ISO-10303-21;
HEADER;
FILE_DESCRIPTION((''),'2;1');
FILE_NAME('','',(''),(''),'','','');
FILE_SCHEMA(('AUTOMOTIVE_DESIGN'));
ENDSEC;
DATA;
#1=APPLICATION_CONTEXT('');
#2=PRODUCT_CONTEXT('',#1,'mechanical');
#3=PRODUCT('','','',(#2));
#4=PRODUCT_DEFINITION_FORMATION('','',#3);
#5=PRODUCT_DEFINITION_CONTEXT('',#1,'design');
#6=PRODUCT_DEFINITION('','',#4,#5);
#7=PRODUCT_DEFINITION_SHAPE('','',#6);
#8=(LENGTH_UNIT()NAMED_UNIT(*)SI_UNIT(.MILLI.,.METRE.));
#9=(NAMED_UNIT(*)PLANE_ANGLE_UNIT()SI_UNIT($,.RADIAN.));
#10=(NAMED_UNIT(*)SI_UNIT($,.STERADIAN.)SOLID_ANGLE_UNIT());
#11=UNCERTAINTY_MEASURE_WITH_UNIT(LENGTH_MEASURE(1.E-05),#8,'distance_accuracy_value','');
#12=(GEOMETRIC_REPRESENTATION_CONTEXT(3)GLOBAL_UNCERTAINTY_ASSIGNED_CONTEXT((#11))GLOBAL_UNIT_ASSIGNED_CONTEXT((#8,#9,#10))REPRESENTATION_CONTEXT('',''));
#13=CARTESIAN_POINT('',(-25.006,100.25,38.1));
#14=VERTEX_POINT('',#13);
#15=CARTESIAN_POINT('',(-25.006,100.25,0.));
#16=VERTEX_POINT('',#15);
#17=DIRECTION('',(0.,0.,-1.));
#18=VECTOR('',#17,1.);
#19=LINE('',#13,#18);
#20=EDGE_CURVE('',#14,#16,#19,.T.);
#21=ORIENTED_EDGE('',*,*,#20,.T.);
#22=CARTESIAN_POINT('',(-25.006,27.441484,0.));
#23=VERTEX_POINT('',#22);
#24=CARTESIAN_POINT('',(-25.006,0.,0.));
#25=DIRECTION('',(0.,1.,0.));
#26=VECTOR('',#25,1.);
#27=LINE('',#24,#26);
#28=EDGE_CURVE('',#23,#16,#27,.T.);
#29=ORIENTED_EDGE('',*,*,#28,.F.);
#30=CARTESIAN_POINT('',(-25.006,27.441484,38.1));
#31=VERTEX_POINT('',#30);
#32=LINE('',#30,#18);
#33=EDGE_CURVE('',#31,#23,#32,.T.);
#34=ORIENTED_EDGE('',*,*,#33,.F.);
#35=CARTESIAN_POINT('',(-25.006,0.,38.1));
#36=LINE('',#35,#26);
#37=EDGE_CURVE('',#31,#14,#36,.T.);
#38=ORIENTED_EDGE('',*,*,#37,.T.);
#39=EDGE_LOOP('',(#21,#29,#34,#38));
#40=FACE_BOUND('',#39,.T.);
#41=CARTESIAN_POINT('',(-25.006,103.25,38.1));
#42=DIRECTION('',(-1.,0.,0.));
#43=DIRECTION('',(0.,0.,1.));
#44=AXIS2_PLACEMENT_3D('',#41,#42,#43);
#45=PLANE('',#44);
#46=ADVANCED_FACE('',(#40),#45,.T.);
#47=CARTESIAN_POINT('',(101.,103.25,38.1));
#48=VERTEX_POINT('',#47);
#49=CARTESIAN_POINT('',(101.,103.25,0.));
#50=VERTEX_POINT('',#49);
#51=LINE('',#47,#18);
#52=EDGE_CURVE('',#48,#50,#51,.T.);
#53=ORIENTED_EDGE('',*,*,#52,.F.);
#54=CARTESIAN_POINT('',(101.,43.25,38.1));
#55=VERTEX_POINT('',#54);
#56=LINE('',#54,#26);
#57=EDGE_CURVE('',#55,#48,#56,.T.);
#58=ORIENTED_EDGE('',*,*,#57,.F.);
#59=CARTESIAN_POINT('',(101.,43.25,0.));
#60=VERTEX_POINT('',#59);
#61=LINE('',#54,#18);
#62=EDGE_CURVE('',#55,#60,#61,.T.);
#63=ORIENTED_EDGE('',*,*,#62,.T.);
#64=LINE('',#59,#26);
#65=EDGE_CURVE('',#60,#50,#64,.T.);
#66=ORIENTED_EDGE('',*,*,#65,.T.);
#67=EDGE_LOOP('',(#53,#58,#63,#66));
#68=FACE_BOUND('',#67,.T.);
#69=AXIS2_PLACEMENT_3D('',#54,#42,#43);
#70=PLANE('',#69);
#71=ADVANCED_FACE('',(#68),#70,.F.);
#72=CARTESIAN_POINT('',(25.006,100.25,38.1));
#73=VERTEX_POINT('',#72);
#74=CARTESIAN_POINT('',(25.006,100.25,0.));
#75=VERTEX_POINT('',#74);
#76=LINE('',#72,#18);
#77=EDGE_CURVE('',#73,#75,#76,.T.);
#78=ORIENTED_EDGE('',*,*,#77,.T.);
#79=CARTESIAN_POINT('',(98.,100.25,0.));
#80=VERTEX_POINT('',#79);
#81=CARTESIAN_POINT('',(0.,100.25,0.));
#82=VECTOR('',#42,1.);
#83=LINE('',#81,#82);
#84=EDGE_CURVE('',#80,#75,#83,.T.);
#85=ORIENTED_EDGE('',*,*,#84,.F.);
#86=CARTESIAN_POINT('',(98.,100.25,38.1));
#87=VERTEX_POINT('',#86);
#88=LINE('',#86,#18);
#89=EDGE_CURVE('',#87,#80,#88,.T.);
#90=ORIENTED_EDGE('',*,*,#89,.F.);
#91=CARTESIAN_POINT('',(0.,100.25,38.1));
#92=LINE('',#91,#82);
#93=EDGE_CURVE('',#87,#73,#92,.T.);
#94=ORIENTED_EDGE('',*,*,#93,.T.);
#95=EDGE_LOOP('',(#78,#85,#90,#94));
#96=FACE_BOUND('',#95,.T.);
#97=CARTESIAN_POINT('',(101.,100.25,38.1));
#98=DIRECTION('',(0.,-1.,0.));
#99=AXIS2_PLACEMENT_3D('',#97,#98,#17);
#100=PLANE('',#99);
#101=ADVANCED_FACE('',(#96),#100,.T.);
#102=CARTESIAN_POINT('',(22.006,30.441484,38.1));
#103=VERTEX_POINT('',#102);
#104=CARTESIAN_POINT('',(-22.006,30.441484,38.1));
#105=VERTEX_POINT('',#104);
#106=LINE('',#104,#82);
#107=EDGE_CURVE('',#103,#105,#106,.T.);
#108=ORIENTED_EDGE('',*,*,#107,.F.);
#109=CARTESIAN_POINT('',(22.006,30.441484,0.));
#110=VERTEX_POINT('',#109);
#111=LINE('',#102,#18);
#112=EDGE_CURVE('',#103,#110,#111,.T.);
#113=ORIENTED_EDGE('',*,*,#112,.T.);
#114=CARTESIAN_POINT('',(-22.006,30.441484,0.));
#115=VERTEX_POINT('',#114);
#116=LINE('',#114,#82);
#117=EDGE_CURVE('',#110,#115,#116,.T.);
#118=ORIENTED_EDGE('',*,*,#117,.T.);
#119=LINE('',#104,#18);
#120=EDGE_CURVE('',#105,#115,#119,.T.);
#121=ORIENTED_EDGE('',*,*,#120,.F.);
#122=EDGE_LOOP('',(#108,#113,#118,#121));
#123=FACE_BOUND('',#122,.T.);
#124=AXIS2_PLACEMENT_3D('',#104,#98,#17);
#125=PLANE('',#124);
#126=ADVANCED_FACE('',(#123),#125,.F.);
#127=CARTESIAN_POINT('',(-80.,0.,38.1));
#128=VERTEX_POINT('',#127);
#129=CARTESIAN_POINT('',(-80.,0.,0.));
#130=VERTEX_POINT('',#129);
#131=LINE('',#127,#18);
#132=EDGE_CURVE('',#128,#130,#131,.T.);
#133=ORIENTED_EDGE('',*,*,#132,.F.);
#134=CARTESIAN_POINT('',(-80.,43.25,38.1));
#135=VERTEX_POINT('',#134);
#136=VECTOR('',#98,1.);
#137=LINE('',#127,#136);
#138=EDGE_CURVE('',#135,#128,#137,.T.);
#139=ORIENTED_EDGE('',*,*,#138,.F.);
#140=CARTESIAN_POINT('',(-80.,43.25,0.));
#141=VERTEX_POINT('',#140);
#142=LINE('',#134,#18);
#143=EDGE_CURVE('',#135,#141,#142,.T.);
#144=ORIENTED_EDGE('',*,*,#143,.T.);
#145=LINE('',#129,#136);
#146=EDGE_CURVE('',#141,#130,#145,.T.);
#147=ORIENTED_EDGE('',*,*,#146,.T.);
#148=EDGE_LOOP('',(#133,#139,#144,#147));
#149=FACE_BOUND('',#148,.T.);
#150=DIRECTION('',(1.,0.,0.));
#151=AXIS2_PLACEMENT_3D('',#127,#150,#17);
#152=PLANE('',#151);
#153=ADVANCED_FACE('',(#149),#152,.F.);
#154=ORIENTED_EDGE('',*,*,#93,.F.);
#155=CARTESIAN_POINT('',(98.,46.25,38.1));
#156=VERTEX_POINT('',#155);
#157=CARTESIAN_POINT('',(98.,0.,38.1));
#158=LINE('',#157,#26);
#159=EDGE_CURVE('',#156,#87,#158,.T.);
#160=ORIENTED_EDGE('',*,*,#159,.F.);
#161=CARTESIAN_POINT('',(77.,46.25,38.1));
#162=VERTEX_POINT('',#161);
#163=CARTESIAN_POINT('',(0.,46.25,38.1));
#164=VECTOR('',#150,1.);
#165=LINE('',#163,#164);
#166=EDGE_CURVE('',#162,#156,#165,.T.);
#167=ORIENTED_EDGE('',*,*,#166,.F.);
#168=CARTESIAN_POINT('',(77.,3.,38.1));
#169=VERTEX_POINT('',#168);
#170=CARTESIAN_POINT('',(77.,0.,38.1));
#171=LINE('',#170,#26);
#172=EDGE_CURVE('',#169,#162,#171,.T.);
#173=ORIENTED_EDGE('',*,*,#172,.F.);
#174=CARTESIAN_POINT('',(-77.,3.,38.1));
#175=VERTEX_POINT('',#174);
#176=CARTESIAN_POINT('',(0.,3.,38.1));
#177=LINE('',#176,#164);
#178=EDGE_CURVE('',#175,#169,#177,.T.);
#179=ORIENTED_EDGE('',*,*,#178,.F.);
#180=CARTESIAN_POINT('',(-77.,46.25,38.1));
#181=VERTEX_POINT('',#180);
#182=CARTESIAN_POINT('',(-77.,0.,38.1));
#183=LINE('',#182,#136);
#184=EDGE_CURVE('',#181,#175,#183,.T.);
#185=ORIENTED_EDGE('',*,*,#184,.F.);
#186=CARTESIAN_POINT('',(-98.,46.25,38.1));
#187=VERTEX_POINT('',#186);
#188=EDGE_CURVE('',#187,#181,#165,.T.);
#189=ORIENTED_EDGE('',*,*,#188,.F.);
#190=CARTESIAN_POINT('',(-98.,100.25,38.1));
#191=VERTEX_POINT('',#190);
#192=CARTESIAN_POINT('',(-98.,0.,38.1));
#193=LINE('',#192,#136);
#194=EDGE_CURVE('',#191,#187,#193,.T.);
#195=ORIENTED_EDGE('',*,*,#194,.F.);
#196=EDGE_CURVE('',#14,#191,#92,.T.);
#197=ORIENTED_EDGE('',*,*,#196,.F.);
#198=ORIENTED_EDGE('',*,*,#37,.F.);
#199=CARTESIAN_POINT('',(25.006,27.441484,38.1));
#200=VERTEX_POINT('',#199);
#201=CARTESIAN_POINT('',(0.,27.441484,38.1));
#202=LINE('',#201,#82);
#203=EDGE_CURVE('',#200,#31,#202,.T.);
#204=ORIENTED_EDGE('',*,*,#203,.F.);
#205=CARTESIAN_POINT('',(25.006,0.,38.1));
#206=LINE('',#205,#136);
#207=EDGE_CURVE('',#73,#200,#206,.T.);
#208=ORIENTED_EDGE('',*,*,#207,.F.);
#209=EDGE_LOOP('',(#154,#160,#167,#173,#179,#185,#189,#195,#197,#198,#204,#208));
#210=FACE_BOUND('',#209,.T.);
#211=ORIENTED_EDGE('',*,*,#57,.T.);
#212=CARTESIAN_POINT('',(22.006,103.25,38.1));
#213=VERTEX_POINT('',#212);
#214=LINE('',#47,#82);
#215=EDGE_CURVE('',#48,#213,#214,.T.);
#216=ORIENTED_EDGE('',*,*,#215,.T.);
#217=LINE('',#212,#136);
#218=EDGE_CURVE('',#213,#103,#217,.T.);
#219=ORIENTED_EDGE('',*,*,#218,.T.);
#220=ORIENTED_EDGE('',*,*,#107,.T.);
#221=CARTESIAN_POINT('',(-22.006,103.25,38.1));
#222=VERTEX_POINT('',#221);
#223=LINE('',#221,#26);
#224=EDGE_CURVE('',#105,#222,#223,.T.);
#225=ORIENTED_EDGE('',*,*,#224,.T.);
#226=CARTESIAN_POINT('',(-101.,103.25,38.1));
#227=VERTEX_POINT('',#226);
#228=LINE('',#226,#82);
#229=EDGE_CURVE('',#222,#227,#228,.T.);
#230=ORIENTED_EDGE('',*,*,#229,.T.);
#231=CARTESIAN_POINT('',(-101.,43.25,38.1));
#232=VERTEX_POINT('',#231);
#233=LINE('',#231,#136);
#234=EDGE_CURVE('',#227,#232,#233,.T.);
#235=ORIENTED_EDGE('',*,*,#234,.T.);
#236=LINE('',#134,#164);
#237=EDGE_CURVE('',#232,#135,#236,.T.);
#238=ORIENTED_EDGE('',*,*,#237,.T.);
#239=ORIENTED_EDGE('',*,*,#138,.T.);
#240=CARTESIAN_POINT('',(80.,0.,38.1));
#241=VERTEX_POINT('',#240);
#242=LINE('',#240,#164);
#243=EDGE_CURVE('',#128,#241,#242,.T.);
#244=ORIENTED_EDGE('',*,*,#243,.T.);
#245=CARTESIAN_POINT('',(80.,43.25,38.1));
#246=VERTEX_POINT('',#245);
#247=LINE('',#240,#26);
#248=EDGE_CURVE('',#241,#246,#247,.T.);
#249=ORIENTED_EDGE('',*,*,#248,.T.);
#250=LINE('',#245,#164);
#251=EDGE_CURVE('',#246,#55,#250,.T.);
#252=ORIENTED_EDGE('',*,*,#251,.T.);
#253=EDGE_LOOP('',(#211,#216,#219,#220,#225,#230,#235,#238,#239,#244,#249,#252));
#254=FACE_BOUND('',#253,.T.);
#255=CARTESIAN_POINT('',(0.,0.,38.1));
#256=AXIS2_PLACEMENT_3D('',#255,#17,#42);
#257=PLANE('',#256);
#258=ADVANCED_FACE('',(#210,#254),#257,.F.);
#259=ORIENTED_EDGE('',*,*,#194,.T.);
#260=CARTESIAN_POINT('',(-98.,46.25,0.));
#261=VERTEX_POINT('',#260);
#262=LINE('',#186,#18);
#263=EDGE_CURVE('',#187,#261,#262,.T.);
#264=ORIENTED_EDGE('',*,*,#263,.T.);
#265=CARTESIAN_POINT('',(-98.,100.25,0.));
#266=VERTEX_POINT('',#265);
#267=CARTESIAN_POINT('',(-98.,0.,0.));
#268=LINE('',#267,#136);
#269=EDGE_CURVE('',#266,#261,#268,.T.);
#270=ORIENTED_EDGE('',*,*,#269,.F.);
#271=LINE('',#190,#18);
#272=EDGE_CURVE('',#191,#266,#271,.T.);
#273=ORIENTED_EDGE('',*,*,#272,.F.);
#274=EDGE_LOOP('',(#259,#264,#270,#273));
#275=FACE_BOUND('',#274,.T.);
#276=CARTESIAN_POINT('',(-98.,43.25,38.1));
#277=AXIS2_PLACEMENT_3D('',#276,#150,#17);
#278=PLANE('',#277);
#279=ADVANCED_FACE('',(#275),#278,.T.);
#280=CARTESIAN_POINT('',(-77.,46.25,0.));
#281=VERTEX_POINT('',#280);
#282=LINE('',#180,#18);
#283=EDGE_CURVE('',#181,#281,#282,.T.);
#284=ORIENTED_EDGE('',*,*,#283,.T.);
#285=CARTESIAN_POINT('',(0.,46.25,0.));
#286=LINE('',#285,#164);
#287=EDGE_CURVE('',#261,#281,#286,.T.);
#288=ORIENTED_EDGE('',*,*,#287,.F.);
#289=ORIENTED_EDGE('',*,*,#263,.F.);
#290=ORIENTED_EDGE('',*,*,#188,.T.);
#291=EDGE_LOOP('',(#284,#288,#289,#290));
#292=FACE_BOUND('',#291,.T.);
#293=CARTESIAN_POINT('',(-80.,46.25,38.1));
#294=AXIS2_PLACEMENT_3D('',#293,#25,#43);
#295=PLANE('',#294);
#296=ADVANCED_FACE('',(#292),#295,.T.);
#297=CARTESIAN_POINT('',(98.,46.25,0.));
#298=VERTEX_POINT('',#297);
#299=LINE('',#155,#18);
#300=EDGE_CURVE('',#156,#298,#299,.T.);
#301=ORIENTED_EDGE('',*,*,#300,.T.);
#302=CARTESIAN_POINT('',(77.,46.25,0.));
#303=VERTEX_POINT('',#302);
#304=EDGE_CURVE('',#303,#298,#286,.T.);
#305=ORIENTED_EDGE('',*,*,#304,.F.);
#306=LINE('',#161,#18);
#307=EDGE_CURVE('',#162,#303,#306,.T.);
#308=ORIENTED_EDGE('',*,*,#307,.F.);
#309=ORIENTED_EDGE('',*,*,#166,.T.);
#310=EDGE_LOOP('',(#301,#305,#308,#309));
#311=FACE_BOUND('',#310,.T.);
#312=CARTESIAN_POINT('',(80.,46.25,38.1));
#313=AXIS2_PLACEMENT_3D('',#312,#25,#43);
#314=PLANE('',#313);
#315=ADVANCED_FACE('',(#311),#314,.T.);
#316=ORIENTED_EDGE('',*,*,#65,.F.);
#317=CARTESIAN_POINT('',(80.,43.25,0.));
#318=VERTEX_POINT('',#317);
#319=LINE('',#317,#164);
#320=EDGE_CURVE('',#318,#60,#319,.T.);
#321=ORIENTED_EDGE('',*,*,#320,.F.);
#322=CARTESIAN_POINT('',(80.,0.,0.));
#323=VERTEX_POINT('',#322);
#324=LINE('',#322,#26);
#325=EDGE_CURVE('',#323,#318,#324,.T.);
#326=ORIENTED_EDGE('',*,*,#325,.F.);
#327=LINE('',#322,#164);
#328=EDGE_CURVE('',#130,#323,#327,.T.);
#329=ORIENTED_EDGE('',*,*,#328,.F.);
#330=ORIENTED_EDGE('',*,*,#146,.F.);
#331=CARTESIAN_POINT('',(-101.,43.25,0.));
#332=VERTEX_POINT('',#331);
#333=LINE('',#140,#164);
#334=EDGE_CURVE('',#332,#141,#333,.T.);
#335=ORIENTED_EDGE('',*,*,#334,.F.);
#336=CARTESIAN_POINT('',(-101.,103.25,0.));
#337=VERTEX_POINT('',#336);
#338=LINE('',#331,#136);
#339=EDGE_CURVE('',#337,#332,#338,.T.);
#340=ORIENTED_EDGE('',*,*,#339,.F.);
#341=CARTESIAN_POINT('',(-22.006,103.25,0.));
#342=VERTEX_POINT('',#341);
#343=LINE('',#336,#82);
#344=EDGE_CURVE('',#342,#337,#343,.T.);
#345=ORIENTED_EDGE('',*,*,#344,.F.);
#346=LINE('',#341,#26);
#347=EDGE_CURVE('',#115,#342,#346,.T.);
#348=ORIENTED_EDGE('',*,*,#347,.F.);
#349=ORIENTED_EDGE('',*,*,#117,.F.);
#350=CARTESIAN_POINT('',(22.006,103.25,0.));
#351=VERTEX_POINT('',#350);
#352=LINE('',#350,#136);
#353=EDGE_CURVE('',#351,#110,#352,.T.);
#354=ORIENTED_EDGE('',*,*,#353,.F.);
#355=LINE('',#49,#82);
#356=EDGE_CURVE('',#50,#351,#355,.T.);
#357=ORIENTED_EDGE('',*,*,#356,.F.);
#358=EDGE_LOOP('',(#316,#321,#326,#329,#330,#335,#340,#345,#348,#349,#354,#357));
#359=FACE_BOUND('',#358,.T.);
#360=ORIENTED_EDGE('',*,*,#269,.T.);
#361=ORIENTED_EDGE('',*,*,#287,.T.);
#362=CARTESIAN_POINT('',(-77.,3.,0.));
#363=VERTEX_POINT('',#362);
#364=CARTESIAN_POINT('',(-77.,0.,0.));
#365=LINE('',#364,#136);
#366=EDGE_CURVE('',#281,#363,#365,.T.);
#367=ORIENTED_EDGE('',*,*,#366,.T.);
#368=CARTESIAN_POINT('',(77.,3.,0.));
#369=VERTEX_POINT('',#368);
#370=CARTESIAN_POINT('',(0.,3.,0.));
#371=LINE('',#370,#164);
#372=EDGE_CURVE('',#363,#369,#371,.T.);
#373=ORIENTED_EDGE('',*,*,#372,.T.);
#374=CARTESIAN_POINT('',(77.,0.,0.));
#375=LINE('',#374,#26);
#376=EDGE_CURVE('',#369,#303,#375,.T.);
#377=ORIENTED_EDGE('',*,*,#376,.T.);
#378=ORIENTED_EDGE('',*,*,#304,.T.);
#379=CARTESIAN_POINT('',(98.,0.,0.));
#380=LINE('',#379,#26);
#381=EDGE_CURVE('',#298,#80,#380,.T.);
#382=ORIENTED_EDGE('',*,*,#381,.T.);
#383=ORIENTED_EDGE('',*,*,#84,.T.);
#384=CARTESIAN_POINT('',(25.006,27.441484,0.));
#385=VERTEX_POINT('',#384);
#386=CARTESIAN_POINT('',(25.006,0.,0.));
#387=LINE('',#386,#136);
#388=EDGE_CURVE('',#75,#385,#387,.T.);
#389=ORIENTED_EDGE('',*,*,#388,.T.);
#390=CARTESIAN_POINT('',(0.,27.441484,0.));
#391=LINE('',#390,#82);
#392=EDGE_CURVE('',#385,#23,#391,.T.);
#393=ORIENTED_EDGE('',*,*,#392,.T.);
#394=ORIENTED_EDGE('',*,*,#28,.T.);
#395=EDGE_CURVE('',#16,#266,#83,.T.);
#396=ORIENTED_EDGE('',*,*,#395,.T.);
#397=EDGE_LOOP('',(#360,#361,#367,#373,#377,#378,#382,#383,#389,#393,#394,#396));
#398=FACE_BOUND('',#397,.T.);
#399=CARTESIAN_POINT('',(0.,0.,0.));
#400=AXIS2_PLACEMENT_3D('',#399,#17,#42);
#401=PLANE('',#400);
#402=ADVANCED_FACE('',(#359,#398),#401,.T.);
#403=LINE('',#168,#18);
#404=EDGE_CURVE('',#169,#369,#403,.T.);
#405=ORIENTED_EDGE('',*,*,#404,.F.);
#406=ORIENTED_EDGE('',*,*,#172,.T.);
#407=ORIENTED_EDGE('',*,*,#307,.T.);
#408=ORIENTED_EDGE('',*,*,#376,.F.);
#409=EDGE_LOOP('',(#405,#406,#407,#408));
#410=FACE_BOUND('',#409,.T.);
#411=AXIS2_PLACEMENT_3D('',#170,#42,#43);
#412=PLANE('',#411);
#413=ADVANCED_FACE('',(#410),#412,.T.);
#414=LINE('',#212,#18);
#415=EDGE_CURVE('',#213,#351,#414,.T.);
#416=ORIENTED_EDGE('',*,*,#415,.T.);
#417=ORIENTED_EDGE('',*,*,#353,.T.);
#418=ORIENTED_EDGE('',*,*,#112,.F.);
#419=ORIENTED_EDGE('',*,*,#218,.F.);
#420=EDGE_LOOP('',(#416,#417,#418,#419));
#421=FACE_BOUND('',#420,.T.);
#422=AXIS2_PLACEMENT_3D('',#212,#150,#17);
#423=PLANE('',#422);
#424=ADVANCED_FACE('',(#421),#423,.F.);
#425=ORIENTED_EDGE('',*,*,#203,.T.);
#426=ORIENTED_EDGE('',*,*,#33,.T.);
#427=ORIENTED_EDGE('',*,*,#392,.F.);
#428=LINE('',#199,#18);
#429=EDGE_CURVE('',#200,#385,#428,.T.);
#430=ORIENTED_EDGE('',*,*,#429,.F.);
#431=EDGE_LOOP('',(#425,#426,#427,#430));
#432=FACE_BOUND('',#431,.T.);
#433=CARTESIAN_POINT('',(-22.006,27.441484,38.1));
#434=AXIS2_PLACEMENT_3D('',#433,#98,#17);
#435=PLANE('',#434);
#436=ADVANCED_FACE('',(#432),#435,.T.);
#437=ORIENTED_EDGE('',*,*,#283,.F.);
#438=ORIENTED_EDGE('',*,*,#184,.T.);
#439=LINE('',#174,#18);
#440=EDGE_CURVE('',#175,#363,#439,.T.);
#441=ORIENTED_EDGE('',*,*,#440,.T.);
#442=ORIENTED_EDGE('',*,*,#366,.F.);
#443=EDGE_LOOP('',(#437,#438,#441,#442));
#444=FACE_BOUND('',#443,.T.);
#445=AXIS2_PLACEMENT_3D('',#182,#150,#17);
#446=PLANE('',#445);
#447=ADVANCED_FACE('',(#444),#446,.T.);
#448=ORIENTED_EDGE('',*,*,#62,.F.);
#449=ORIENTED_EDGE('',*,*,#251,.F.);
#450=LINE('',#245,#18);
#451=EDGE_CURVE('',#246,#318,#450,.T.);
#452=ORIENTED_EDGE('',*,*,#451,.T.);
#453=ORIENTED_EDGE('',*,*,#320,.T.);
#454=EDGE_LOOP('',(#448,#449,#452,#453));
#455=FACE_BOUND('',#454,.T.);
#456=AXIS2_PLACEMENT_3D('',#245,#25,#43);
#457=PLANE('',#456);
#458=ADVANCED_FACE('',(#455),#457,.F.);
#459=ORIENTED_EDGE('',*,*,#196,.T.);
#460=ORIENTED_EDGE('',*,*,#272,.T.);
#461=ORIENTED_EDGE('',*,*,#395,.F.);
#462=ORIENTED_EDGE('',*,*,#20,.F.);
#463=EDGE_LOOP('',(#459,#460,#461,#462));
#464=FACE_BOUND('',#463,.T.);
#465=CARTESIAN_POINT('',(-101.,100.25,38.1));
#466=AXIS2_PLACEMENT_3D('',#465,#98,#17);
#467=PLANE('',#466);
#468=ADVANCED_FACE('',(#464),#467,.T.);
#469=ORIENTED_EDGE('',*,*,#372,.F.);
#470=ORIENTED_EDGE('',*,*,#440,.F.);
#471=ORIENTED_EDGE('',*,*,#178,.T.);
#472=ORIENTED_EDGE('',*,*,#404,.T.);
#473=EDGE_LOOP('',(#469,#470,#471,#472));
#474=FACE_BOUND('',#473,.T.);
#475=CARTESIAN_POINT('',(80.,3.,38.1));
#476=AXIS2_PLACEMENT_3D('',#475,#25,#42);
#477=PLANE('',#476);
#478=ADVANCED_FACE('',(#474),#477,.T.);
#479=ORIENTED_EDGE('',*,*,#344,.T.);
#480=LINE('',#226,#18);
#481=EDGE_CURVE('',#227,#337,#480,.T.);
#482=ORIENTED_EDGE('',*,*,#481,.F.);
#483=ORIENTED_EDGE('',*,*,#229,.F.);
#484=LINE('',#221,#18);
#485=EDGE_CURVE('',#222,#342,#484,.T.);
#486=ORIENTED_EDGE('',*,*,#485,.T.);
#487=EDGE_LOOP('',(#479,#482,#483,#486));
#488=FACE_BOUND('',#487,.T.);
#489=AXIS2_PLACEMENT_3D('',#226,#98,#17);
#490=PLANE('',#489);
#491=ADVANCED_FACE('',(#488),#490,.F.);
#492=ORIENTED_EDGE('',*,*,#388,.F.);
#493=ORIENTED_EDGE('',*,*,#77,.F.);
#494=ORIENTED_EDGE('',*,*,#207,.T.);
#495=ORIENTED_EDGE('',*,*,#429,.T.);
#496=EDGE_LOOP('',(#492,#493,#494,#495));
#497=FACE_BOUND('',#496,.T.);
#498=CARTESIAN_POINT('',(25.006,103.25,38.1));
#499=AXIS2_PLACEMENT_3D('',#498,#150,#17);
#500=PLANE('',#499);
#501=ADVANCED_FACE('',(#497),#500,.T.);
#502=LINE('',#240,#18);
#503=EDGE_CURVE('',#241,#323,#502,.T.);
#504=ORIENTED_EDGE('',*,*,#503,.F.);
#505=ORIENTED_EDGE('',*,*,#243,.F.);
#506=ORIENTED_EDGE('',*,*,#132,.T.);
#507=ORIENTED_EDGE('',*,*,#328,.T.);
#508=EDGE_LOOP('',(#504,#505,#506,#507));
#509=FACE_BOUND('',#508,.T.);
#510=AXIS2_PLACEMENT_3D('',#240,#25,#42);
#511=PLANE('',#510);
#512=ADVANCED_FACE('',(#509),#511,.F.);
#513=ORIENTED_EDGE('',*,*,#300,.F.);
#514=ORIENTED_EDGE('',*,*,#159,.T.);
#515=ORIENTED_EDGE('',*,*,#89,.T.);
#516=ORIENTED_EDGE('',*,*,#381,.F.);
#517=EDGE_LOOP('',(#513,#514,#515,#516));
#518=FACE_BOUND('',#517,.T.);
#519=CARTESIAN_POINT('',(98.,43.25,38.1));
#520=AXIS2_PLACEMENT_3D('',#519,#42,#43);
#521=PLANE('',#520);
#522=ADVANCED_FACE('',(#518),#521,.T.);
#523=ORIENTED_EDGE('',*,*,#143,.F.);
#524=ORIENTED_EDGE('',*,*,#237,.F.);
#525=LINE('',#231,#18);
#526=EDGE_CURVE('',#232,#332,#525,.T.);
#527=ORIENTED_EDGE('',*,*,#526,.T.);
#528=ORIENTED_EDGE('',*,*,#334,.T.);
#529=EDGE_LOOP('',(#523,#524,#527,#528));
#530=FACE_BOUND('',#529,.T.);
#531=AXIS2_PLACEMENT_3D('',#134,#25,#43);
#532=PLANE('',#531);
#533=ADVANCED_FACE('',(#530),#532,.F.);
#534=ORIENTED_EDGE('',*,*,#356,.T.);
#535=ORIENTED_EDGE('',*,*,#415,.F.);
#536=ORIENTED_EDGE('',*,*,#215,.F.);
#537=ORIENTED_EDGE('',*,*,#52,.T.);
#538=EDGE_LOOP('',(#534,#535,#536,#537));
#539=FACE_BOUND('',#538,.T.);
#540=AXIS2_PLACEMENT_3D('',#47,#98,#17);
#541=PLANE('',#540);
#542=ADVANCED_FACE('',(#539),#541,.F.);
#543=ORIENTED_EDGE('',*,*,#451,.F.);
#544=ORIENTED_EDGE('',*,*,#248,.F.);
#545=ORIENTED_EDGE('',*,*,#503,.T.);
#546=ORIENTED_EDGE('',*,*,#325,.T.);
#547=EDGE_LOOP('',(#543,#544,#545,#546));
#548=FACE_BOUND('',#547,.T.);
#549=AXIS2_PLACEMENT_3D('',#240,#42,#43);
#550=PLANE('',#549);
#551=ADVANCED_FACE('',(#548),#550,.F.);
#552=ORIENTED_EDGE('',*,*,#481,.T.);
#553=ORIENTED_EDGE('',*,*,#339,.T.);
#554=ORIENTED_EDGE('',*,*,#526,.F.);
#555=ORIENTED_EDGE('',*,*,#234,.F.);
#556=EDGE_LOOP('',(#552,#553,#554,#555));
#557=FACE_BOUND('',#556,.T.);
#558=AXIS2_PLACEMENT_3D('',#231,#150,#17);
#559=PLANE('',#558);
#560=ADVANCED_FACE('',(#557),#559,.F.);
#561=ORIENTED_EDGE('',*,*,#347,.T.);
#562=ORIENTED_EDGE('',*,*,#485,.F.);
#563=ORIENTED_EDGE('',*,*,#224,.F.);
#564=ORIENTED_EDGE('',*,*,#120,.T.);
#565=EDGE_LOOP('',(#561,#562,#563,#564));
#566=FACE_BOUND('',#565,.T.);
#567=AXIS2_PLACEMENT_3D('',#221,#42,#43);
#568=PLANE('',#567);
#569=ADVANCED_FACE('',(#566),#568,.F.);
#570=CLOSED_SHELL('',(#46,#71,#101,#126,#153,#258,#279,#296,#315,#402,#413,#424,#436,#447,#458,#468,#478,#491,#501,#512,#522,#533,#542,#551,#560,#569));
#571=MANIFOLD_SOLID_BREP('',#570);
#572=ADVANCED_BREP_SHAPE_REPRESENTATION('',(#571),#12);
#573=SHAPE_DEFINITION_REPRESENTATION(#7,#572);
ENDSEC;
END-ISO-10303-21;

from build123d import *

# Parameters (mm, degrees)
BOSS_EXTRUDE1_DEPTH = 38.1
SHELL2_T            = -3


with BuildPart() as part:
    # Sketch1 → Boss-Extrude1 (new body)
    with BuildSketch(Plane.XY):
        Polygon((80, 0), (-80, 0), (-80, 43.25), (-101, 43.25), (-101, 103.25), (-22.006, 103.25), (-22.006, 30.441483681), (22.006, 30.441483681), (22.006, 103.25), (101, 103.25), (101, 43.25), (80, 43.25), align=None)
    extrude(amount=BOSS_EXTRUDE1_DEPTH)

    # Shell2
    shell2_openings = [part.faces().sort_by_distance(p)[0] for p in [
        (0, 2.268580228, 38.1),
        (0, 2.268580228, 0),
    ]]
    offset(amount=SHELL2_T, openings=shell2_openings, kind=Kind.INTERSECTION)


solid = part.part
